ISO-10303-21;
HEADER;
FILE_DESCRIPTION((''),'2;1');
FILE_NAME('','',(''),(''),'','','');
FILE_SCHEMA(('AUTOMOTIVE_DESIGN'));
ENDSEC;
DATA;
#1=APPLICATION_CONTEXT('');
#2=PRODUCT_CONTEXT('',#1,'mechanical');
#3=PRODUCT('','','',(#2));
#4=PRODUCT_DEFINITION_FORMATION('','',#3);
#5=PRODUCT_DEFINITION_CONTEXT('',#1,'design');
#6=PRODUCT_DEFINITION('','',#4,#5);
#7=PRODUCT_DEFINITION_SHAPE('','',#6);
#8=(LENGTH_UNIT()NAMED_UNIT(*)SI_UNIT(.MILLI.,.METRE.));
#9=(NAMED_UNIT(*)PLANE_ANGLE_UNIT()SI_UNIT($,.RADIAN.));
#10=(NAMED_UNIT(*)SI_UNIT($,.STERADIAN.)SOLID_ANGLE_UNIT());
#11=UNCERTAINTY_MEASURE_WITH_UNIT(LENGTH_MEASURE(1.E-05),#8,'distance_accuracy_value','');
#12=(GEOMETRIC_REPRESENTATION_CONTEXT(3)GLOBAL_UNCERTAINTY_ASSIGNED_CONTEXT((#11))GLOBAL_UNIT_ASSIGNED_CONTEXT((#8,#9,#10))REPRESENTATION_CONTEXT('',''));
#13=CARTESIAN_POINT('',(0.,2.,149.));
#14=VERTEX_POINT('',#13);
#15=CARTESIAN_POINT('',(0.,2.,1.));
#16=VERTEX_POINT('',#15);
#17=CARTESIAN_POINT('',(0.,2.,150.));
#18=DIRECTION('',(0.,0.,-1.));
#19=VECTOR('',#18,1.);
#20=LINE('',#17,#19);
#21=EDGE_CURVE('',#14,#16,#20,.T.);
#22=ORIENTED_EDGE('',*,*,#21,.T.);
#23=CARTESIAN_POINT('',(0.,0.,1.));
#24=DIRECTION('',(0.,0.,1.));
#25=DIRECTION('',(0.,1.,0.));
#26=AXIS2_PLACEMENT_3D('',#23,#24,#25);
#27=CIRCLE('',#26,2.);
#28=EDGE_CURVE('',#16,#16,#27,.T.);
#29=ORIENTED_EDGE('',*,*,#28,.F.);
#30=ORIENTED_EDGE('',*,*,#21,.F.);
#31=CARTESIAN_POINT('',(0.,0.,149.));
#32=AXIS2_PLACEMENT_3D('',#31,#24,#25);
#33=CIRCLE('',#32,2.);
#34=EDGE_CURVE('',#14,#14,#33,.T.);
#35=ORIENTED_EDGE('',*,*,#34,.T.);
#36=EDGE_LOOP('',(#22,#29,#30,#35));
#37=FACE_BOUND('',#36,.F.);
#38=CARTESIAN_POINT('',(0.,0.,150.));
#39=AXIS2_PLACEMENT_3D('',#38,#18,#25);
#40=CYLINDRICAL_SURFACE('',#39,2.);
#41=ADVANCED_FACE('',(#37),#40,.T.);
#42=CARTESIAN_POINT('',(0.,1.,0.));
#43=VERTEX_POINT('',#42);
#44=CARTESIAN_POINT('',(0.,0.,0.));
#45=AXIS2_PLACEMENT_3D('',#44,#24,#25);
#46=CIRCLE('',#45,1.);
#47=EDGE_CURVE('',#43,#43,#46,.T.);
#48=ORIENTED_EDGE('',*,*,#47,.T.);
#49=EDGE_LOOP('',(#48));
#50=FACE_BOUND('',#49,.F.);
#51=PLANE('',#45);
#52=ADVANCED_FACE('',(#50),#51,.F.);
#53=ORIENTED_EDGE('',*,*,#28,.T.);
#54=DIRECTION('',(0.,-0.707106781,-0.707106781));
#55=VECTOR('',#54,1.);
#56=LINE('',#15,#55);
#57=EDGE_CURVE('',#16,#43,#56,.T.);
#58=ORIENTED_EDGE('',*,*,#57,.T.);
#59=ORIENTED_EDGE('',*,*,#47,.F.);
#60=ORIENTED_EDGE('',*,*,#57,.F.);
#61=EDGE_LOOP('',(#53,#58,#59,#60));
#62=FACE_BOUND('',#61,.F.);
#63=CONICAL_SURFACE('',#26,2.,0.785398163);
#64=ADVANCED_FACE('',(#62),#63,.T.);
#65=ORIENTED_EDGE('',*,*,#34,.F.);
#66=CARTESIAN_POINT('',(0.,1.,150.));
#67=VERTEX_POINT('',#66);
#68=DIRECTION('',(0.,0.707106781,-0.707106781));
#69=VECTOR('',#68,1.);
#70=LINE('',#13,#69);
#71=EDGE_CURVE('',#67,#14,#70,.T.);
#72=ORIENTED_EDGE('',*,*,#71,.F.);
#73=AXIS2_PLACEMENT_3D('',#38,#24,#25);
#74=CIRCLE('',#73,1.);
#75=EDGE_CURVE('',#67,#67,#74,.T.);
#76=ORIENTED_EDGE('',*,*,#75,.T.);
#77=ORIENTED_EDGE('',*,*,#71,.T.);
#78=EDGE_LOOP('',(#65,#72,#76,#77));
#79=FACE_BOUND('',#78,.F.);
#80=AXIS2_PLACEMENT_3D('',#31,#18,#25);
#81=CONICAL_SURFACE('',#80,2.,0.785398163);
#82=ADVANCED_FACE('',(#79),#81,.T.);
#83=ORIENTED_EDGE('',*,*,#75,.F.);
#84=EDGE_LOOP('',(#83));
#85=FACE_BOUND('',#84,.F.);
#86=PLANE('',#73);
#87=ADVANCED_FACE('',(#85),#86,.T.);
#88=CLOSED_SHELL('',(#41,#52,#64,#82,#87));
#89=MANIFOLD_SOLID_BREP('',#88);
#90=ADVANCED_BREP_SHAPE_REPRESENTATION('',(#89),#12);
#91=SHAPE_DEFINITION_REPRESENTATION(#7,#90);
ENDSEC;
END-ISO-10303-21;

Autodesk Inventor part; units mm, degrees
ref_plane "YZ Plane" through (0, 0, 0) normal (1, 0, 0) x (0, 1, 0)
ref_plane "XZ Plane" through (0, 0, 0) normal (0, 1, 0) x (-1, 0, 0)
ref_plane "XY Plane" through (0, 0, 0) normal (0, 0, 1) x (1, 0, 0)
sketch "Boceto40" plane through (0, 0, 0) normal (1, 0, 0) x (0, 1, 0)
  line L0 (0, 0) -> (0, 36.8466)
  line L1 (0, 150) -> (2, 150)
  line L2 (2, 150) -> (2, 0)
  line L3 (2, 0) -> (0, 0)
  line L4 (0, 150) -> (0, 0)
  dimension "d373" = 4
  dimension "d374" = 150
revolve "Revolución14" add sketch "Boceto40" angle 360 about axis through (0, 0, 0) along (0, 0, 1)
thread "Rosca6" size "M4x0.7" class "6g" standard "ANSI Metric M Profile" full length
chamfer "Chaflán5" distance 1 angle 45 2 edges at (0, -2, 0) (0, -2, 150)
properties part number "CF-VAR-0001"
